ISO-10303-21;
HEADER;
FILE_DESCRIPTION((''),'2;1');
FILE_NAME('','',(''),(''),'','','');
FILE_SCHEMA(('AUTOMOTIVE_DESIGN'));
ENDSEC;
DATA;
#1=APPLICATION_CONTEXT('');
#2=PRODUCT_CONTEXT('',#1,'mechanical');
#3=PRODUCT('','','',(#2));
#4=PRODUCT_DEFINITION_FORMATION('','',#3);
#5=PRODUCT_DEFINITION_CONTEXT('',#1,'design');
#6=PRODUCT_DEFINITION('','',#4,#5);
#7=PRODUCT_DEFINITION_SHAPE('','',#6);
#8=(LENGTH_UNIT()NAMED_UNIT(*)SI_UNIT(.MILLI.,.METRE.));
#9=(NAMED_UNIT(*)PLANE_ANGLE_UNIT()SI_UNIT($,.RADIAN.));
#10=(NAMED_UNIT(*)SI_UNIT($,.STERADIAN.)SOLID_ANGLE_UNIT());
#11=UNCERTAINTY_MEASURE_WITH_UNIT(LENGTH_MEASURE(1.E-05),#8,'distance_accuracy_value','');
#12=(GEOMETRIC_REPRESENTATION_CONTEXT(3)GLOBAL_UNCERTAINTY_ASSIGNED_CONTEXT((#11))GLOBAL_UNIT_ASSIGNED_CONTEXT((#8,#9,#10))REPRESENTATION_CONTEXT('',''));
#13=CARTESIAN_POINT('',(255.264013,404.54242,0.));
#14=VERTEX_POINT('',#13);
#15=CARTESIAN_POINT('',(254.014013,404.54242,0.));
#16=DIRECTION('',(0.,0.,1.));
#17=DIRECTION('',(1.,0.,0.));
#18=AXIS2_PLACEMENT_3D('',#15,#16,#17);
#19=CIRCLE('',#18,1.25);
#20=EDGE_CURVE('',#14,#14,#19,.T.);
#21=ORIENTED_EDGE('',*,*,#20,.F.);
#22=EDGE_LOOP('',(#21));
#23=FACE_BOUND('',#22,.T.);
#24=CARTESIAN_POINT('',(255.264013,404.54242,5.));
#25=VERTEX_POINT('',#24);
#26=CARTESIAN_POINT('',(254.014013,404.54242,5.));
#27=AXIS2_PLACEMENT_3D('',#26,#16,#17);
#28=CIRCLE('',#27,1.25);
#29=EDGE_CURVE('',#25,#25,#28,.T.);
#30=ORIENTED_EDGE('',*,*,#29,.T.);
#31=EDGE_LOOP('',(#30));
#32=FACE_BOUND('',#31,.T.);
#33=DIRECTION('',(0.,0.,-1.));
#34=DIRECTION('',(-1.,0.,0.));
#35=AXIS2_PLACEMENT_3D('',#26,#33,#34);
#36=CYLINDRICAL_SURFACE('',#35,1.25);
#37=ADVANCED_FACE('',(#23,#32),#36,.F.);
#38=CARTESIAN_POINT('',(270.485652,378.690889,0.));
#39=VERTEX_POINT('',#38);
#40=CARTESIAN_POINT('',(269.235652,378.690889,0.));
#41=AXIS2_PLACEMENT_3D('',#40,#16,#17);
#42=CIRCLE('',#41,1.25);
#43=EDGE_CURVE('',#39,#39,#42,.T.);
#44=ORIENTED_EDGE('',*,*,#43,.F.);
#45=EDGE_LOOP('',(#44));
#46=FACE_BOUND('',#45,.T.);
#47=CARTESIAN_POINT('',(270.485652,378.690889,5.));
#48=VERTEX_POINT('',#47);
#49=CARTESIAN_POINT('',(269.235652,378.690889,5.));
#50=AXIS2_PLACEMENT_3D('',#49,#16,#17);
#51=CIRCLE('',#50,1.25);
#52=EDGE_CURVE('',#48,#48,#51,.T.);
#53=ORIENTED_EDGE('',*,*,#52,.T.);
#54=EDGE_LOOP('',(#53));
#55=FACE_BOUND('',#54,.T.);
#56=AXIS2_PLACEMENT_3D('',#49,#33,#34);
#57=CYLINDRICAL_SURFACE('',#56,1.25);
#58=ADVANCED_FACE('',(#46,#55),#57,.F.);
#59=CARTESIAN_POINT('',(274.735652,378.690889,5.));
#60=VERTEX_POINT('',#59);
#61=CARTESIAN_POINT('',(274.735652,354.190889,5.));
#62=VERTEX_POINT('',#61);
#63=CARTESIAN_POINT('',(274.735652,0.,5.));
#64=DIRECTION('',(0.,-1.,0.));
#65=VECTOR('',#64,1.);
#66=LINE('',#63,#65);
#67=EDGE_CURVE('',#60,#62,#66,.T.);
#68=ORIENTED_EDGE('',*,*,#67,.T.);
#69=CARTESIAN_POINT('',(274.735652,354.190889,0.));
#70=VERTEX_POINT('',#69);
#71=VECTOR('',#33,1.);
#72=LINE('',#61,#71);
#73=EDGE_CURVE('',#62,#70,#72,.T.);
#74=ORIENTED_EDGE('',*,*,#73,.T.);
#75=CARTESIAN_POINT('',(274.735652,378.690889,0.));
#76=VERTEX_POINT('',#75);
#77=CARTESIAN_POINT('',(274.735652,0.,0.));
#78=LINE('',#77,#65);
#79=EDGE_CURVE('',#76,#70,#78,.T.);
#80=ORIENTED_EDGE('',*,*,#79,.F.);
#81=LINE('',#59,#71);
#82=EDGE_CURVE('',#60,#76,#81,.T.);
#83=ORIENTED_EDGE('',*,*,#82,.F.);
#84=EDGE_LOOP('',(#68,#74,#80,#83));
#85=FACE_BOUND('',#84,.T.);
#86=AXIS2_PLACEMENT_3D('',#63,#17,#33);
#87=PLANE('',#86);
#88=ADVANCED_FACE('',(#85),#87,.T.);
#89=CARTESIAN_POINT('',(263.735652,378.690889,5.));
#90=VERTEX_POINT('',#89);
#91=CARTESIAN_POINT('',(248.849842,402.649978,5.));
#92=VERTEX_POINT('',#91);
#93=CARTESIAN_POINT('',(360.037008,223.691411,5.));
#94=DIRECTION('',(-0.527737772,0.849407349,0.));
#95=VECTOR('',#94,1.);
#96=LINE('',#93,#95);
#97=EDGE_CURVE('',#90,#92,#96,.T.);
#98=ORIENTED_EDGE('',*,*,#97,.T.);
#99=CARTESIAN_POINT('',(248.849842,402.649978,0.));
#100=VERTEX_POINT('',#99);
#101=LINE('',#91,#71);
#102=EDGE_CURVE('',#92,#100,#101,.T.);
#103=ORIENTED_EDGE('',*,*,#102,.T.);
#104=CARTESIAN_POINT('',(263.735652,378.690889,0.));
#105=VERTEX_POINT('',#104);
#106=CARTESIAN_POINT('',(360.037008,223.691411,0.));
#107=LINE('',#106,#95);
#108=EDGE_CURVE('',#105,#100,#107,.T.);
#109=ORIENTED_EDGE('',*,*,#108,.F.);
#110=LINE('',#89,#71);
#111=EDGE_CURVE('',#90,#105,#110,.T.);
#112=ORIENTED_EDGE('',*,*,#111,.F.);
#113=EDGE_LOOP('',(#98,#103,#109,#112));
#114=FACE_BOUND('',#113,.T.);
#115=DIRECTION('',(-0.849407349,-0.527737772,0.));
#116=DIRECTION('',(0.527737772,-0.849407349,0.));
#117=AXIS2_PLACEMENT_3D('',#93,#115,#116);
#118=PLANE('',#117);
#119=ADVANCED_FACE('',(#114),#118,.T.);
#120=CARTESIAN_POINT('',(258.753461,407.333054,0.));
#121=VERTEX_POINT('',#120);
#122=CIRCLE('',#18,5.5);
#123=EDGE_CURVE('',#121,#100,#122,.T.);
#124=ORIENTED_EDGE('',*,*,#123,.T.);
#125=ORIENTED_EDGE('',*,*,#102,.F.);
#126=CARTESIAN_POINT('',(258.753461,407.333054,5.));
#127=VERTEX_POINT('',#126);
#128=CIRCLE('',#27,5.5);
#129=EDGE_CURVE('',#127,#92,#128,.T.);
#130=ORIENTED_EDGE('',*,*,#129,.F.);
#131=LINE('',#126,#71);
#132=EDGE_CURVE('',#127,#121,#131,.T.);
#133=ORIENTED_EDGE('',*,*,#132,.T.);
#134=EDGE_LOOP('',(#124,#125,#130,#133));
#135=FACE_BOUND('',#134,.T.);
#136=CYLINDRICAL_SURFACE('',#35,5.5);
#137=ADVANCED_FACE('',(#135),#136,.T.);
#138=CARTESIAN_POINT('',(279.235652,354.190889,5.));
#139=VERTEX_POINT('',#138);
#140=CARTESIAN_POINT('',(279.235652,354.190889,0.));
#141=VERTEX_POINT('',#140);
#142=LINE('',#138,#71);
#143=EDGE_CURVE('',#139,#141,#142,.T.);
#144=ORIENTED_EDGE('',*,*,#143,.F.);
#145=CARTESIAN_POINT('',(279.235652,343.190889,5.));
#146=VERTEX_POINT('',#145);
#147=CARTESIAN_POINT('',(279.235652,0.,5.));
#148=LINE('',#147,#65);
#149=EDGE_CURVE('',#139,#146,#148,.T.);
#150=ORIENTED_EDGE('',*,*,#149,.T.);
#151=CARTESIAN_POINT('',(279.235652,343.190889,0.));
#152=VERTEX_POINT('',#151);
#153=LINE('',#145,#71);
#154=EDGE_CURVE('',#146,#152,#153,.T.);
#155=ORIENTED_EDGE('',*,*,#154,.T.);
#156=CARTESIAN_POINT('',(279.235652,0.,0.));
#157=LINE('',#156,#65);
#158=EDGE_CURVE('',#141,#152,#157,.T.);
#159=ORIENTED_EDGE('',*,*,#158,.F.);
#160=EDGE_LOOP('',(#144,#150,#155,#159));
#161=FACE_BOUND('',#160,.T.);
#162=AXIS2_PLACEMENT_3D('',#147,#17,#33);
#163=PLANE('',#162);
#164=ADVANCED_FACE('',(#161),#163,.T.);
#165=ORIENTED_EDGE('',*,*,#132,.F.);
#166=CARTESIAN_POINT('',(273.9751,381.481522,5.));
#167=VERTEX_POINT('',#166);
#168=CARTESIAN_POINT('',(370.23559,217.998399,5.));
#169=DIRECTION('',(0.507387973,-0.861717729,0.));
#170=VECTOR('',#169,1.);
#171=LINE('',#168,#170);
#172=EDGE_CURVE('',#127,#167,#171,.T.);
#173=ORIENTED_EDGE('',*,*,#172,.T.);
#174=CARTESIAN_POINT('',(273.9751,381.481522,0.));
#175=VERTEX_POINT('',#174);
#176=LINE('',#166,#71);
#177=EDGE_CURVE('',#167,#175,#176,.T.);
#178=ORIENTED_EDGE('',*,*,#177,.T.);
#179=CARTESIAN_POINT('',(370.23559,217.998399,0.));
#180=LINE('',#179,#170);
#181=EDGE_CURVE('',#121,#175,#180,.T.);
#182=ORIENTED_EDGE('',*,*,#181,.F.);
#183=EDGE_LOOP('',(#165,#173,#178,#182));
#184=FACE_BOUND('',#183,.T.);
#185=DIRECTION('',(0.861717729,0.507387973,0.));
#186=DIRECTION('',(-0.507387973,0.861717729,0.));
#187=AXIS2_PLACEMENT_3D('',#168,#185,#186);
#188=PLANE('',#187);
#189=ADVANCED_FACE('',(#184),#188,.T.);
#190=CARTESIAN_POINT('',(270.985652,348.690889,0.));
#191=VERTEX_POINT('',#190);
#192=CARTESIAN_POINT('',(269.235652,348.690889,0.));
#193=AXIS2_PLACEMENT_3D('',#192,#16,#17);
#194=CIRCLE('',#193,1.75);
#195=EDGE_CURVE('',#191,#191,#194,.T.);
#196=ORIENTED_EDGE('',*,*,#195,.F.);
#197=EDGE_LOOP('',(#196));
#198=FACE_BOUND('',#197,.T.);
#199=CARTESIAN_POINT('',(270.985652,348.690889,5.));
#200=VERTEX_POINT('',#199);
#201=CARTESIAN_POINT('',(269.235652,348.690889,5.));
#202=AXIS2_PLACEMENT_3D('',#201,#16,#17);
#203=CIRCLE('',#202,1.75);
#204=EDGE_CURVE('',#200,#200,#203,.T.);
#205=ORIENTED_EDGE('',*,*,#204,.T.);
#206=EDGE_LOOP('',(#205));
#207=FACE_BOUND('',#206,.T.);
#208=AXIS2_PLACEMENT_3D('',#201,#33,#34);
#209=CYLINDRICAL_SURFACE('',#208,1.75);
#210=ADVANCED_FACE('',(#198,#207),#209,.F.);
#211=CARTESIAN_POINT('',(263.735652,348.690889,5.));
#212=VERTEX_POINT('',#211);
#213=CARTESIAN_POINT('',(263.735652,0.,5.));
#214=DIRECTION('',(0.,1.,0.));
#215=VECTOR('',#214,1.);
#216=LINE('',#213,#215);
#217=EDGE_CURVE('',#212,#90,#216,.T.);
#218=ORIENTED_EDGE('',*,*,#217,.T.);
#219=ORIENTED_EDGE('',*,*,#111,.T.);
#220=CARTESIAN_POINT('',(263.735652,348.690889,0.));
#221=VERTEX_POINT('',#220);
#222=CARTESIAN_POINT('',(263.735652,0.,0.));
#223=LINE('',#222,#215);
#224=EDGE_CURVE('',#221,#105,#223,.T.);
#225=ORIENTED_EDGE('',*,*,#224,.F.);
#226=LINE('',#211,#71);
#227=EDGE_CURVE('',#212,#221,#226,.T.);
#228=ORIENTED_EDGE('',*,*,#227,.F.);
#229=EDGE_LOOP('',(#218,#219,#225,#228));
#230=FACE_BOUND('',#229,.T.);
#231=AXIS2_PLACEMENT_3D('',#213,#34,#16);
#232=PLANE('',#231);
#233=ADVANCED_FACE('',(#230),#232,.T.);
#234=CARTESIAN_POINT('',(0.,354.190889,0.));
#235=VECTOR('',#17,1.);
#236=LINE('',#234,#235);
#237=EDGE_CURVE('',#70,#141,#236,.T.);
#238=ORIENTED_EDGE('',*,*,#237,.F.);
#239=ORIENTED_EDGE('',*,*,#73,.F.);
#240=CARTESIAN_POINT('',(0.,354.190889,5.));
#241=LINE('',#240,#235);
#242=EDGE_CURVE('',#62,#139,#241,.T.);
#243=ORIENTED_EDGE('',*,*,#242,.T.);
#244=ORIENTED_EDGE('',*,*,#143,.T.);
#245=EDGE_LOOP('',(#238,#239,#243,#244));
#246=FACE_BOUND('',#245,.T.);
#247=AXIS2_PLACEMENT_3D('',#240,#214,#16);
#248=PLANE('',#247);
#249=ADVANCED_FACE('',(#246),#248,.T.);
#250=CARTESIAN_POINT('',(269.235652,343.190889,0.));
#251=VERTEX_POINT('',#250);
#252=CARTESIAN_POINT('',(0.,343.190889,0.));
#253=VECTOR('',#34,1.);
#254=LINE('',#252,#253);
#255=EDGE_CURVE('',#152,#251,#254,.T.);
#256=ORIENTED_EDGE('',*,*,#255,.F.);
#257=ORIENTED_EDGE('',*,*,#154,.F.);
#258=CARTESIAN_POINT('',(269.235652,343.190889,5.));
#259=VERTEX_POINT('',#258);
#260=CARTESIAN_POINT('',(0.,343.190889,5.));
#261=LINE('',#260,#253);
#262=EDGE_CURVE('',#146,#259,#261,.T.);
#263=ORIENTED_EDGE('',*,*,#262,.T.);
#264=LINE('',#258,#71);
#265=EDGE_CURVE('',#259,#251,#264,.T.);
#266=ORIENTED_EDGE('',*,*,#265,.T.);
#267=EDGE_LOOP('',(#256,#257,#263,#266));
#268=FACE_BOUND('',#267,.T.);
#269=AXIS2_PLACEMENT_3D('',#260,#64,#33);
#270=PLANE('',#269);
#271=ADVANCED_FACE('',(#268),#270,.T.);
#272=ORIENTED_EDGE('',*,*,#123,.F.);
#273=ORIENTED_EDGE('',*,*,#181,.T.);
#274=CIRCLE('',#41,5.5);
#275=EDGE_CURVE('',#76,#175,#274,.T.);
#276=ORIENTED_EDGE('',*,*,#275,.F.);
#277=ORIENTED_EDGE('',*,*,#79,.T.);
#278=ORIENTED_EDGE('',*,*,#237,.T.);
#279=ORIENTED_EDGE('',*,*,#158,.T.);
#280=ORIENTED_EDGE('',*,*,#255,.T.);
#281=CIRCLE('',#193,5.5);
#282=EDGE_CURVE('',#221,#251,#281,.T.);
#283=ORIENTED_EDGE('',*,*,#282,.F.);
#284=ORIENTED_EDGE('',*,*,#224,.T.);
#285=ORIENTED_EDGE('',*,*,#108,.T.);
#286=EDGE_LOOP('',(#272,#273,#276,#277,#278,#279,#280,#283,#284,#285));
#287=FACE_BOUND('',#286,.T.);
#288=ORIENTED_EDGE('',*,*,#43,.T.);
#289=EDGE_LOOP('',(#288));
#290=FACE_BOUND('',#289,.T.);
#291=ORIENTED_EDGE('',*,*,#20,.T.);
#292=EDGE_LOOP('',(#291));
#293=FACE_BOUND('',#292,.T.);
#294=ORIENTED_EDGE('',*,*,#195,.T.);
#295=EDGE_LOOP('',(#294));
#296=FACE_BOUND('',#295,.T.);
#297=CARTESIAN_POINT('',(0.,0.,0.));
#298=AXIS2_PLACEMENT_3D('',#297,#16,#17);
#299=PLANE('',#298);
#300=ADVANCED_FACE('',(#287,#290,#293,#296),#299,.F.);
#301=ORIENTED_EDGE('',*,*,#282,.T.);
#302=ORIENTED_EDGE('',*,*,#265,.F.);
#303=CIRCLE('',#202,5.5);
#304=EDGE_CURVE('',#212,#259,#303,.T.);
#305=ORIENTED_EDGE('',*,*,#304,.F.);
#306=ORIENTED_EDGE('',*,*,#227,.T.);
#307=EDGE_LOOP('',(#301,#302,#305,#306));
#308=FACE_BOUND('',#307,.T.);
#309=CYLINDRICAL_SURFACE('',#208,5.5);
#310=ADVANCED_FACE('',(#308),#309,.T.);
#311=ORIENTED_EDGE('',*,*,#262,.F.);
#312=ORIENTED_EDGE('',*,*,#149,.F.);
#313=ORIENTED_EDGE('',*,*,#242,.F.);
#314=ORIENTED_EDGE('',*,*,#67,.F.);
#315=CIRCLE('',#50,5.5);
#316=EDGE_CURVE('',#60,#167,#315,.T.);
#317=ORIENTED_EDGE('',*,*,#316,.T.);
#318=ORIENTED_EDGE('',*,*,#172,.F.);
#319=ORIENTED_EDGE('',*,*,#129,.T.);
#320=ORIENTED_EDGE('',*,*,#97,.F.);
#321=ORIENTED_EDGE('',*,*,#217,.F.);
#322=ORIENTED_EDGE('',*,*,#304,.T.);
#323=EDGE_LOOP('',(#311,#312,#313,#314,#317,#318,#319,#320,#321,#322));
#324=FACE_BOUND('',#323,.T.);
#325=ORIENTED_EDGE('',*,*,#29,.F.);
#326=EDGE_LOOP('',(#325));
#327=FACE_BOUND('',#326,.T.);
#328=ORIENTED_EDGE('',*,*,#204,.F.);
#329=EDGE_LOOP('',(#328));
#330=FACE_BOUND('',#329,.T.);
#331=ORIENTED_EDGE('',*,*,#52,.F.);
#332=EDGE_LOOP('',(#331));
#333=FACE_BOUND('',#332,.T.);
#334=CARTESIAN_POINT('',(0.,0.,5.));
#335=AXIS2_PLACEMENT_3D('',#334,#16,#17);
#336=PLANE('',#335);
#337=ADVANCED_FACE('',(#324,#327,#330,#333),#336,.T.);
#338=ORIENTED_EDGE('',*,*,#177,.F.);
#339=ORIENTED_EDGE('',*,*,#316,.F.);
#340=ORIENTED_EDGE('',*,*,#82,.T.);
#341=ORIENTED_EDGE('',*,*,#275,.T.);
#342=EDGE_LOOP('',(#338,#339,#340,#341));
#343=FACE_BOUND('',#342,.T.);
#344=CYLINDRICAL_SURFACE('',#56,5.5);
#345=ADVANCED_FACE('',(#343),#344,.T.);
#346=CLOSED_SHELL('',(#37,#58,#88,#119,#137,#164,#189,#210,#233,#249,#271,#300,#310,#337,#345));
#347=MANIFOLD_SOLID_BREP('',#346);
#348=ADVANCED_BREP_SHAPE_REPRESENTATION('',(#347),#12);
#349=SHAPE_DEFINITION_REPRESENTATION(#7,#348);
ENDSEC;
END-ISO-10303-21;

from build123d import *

# Parameters (mm, degrees)
SKETCH1_R           = 1.75
SKETCH1_R_2         = 1.25
BOSS_EXTRUDE1_DEPTH = 5


with BuildPart() as part:
    # Sketch1 → Boss-Extrude1 (new body)
    with BuildSketch(Plane.XY):
        with BuildLine():
            Line((274.735652315, 354.190888595), (274.735652315, 378.690888595))
            ThreePointArc((274.735652315, 378.690888595), (274.542108821, 380.137097205), (273.975099827, 381.481522444))
            Line((273.975099827, 381.481522444), (258.753460649, 407.333054329))
            ThreePointArc((258.753460649, 407.333054329), (251.662864877, 409.514553006), (248.849842147, 402.649978145))
            Line((248.849842147, 402.649978145), (250.029730466, 400.750917928))
            Line((250.029730466, 400.750917928), (263.735652315, 378.690888595))
            Line((263.735652315, 378.690888595), (263.735652315, 348.690888595))
            ThreePointArc((263.735652315, 348.690888595), (265.346565018, 344.801801299), (269.235652315, 343.190888595))
            Line((269.235652315, 343.190888595), (279.235652315, 343.190888595))
            Line((279.235652315, 343.190888595), (279.235652315, 354.190888595))
            Line((279.235652315, 354.190888595), (274.735652315, 354.190888595))
        make_face()
        with Locations((269.235652315, 348.690888595)):
            Circle(SKETCH1_R, mode=Mode.SUBTRACT)
        with Locations((254.014013137, 404.542420479)):
            Circle(SKETCH1_R_2, mode=Mode.SUBTRACT)
        with Locations((269.235652315, 378.690888595)):
            Circle(SKETCH1_R_2, mode=Mode.SUBTRACT)
    extrude(amount=BOSS_EXTRUDE1_DEPTH)


solid = part.part
